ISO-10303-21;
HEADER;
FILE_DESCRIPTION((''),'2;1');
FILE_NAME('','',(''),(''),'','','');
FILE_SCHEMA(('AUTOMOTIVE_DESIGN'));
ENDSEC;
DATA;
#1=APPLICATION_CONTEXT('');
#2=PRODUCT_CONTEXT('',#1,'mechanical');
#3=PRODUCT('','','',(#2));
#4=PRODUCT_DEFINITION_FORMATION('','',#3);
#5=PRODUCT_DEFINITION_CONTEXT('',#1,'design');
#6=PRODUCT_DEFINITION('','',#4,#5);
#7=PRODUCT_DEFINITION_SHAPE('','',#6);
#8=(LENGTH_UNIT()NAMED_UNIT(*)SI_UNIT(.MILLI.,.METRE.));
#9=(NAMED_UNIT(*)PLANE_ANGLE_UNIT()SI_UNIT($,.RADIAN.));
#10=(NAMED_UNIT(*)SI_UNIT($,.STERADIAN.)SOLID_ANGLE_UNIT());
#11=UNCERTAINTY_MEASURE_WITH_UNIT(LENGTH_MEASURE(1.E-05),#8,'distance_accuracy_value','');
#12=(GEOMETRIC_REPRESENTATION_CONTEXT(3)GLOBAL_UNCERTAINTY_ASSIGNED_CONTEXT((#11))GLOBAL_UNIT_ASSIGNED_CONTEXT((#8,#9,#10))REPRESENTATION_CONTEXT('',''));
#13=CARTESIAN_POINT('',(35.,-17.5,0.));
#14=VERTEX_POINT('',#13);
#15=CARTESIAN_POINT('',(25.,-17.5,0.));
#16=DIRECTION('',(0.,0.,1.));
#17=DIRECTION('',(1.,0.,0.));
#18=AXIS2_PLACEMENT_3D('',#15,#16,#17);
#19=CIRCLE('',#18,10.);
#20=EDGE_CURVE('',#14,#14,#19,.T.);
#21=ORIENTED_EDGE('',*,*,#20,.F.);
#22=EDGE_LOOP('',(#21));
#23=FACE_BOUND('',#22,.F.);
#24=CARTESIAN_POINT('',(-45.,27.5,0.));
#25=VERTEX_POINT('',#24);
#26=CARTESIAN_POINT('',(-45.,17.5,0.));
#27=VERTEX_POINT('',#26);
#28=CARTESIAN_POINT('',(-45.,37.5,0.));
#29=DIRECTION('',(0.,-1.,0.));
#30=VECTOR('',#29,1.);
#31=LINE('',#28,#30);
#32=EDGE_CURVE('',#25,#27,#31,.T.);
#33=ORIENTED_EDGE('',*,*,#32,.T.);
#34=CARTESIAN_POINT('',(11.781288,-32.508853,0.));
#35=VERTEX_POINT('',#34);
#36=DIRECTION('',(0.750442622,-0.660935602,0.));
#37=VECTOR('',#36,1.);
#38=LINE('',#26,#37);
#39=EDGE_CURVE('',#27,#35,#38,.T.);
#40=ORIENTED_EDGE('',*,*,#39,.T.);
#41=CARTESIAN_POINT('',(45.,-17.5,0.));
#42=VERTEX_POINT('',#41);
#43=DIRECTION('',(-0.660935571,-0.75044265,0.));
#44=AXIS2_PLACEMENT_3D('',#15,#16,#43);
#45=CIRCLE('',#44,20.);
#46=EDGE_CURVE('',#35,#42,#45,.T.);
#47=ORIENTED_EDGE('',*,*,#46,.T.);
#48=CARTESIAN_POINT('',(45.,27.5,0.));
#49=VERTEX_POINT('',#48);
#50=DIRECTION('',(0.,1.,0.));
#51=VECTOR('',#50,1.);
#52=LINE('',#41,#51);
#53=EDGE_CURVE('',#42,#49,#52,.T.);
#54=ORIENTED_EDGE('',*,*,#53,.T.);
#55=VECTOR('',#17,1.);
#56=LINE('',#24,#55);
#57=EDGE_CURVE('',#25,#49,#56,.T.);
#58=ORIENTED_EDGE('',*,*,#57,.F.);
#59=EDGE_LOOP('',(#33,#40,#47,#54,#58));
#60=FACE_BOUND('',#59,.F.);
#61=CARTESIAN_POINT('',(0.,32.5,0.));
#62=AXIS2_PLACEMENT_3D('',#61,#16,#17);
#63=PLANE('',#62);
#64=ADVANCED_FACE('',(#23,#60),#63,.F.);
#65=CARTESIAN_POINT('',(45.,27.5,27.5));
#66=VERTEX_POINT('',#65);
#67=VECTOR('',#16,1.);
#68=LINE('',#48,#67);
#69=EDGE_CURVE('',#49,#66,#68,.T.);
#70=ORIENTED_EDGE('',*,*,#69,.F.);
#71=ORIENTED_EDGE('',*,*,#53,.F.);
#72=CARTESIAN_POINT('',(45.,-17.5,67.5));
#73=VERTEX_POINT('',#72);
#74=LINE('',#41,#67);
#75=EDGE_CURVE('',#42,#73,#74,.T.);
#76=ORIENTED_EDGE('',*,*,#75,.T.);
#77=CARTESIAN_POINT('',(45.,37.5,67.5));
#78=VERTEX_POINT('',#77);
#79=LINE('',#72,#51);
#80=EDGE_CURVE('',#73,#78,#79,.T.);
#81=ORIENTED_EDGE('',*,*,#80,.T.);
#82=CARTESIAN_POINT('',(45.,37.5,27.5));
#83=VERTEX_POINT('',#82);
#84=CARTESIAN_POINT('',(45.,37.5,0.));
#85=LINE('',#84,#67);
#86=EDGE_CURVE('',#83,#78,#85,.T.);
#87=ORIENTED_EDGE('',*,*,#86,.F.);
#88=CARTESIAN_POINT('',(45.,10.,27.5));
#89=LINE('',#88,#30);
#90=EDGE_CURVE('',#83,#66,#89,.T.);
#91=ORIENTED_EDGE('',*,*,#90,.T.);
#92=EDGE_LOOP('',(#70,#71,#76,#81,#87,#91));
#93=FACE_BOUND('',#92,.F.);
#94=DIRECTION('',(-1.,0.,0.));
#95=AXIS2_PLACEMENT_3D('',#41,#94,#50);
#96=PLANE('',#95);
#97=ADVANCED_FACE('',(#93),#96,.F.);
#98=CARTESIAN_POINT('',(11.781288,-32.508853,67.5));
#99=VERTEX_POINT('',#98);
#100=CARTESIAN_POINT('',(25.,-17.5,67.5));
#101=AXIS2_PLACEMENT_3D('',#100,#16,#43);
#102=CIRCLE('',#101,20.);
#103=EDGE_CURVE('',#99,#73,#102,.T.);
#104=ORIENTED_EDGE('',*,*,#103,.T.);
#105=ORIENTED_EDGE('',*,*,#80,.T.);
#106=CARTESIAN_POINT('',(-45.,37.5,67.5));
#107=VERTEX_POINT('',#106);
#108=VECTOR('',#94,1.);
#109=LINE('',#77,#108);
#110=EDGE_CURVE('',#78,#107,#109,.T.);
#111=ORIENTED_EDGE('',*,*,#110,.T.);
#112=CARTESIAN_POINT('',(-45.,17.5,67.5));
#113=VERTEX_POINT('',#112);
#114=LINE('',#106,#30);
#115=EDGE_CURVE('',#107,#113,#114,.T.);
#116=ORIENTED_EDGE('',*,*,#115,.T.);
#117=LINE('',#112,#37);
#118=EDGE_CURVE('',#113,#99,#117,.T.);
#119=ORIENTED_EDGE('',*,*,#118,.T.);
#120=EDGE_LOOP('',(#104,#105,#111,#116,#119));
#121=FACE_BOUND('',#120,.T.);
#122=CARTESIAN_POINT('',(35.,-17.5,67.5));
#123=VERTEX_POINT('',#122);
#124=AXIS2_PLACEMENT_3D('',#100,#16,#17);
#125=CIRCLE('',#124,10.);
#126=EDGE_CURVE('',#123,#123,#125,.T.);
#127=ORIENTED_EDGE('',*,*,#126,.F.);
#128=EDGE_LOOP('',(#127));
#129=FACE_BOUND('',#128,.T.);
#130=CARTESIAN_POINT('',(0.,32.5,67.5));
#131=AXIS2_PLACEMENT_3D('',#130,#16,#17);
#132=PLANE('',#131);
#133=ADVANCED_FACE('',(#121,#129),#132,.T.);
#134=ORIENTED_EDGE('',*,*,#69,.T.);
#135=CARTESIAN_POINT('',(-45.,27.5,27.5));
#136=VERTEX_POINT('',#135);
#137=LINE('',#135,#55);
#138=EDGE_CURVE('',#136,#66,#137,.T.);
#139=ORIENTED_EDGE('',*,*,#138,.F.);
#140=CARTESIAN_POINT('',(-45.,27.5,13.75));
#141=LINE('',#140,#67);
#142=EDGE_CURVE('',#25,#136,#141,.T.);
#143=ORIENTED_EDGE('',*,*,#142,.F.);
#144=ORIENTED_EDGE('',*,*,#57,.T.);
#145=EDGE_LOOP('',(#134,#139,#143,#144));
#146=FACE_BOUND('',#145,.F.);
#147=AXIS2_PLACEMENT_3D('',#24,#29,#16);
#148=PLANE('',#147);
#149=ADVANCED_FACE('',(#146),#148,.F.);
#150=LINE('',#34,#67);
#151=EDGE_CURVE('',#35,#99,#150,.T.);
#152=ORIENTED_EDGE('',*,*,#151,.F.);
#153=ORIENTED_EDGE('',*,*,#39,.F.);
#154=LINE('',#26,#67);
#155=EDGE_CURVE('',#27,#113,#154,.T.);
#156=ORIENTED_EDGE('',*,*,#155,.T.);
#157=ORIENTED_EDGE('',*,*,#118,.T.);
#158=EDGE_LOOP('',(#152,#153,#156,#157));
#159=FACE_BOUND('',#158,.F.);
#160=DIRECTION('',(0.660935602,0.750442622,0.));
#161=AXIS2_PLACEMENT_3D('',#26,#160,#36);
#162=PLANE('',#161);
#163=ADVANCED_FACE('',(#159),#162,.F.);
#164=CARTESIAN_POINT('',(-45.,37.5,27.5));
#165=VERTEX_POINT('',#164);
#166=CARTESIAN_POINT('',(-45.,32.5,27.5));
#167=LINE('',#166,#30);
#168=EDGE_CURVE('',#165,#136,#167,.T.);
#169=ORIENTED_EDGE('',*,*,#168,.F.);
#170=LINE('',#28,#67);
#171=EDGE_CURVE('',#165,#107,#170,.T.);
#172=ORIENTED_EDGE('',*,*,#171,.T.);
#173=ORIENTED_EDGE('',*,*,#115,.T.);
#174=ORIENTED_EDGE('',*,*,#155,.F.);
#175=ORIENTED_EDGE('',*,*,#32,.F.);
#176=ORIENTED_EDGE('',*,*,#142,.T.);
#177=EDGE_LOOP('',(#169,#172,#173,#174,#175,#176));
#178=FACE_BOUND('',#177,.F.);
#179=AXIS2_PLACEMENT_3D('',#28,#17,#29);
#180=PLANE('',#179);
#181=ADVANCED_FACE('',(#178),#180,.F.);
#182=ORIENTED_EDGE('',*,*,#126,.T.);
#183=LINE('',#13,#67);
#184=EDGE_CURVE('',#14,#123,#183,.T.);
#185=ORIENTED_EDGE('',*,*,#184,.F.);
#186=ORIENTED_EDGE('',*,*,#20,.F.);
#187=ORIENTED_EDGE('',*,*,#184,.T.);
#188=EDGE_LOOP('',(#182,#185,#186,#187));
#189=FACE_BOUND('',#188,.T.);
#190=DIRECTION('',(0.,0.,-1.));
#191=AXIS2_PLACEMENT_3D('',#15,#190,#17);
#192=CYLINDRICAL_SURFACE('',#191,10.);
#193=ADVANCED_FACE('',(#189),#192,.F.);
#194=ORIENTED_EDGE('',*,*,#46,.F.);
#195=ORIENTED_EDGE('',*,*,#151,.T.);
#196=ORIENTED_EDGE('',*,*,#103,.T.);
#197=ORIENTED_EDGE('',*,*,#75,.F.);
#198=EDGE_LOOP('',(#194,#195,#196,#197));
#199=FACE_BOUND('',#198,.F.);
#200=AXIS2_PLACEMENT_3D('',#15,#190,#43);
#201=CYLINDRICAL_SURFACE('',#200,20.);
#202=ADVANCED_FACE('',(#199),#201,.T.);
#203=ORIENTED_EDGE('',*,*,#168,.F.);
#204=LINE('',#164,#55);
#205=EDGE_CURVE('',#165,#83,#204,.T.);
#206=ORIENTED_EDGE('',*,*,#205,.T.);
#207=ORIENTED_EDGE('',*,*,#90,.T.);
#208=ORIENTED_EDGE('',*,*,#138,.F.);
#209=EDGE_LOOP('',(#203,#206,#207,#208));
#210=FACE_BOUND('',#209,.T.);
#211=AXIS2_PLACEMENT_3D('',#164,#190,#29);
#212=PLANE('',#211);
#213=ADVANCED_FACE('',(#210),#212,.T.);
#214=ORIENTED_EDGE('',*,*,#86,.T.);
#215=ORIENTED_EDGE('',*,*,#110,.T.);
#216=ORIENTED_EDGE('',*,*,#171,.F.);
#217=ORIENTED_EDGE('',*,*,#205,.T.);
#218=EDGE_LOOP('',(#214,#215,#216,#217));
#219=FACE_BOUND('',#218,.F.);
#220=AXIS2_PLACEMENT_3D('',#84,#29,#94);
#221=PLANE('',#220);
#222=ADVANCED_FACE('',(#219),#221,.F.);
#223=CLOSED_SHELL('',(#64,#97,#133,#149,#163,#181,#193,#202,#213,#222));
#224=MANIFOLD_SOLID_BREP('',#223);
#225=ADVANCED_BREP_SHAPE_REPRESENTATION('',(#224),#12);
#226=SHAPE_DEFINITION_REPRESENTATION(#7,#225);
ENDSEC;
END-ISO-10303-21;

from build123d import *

# Parameters (mm, degrees)
F0_W     = 37
F0_H     = 10
F0_W_2   = 6
F0_R     = 10
F1_DEPTH = 67.5
F2_W     = 10
F2_H     = 27.5
F3_DEPTH = 250


with BuildPart() as f1:
    # F0 (on Top) → F1 (new body)
    with BuildSketch(Plane.XY):
        Polygon((45, 27.5), (45, 37.5), (-45, 37.5), (-45, 27.5), (-8, 27.5), (-2, 27.5), align=None)
        with Locations((-26.5, 22.5)):
            Rectangle(F0_W, F0_H)
        with Locations((-5, 22.5)):
            Rectangle(F0_W_2, F0_H)
        Polygon((45, 17.5), (45, 27.5), (-2, 27.5), (-2, 17.5), (5, 17.5), align=None)
        with BuildLine():
            Line((45, -17.5), (45, 17.5))
            Line((45, 17.5), (5, 17.5))
            Line((5, 17.5), (5, -17.5))
            ThreePointArc((5, -17.5), (25, 2.5), (45, -17.5))
        make_face()
        with BuildLine():
            Line((-8, 17.5), (-45, 17.5))
            Line((-45, 17.5), (11.781288, -32.508853))
            ThreePointArc((11.781288, -32.508853), (6.773999, -25.734858), (5, -17.5))
            Line((5, -17.5), (5, 17.5))
            Line((5, 17.5), (-2, 17.5))
            Line((-2, 17.5), (-8, 17.5))
        make_face()
        with BuildLine():
            ThreePointArc((11.781288, -32.508853), (33.234858, -35.726001), (45, -17.5))
            ThreePointArc((45, -17.5), (25, 2.5), (5, -17.5))
            ThreePointArc((5, -17.5), (6.773999, -25.734858), (11.781288, -32.508853))
        make_face()
        with Locations((25, -17.5)):
            Circle(F0_R, mode=Mode.SUBTRACT)
    extrude(amount=F1_DEPTH)

    # F2 (on face) → F3 (cut)
    with BuildSketch(Plane(origin=(-45, 0, 0), x_dir=(0, -1, 0), z_dir=(-1, 0, 0))):
        with Locations((-32.5, 13.75)):
            Rectangle(F2_W, F2_H)
    extrude(amount=-F3_DEPTH, mode=Mode.SUBTRACT)


solid = f1.part
